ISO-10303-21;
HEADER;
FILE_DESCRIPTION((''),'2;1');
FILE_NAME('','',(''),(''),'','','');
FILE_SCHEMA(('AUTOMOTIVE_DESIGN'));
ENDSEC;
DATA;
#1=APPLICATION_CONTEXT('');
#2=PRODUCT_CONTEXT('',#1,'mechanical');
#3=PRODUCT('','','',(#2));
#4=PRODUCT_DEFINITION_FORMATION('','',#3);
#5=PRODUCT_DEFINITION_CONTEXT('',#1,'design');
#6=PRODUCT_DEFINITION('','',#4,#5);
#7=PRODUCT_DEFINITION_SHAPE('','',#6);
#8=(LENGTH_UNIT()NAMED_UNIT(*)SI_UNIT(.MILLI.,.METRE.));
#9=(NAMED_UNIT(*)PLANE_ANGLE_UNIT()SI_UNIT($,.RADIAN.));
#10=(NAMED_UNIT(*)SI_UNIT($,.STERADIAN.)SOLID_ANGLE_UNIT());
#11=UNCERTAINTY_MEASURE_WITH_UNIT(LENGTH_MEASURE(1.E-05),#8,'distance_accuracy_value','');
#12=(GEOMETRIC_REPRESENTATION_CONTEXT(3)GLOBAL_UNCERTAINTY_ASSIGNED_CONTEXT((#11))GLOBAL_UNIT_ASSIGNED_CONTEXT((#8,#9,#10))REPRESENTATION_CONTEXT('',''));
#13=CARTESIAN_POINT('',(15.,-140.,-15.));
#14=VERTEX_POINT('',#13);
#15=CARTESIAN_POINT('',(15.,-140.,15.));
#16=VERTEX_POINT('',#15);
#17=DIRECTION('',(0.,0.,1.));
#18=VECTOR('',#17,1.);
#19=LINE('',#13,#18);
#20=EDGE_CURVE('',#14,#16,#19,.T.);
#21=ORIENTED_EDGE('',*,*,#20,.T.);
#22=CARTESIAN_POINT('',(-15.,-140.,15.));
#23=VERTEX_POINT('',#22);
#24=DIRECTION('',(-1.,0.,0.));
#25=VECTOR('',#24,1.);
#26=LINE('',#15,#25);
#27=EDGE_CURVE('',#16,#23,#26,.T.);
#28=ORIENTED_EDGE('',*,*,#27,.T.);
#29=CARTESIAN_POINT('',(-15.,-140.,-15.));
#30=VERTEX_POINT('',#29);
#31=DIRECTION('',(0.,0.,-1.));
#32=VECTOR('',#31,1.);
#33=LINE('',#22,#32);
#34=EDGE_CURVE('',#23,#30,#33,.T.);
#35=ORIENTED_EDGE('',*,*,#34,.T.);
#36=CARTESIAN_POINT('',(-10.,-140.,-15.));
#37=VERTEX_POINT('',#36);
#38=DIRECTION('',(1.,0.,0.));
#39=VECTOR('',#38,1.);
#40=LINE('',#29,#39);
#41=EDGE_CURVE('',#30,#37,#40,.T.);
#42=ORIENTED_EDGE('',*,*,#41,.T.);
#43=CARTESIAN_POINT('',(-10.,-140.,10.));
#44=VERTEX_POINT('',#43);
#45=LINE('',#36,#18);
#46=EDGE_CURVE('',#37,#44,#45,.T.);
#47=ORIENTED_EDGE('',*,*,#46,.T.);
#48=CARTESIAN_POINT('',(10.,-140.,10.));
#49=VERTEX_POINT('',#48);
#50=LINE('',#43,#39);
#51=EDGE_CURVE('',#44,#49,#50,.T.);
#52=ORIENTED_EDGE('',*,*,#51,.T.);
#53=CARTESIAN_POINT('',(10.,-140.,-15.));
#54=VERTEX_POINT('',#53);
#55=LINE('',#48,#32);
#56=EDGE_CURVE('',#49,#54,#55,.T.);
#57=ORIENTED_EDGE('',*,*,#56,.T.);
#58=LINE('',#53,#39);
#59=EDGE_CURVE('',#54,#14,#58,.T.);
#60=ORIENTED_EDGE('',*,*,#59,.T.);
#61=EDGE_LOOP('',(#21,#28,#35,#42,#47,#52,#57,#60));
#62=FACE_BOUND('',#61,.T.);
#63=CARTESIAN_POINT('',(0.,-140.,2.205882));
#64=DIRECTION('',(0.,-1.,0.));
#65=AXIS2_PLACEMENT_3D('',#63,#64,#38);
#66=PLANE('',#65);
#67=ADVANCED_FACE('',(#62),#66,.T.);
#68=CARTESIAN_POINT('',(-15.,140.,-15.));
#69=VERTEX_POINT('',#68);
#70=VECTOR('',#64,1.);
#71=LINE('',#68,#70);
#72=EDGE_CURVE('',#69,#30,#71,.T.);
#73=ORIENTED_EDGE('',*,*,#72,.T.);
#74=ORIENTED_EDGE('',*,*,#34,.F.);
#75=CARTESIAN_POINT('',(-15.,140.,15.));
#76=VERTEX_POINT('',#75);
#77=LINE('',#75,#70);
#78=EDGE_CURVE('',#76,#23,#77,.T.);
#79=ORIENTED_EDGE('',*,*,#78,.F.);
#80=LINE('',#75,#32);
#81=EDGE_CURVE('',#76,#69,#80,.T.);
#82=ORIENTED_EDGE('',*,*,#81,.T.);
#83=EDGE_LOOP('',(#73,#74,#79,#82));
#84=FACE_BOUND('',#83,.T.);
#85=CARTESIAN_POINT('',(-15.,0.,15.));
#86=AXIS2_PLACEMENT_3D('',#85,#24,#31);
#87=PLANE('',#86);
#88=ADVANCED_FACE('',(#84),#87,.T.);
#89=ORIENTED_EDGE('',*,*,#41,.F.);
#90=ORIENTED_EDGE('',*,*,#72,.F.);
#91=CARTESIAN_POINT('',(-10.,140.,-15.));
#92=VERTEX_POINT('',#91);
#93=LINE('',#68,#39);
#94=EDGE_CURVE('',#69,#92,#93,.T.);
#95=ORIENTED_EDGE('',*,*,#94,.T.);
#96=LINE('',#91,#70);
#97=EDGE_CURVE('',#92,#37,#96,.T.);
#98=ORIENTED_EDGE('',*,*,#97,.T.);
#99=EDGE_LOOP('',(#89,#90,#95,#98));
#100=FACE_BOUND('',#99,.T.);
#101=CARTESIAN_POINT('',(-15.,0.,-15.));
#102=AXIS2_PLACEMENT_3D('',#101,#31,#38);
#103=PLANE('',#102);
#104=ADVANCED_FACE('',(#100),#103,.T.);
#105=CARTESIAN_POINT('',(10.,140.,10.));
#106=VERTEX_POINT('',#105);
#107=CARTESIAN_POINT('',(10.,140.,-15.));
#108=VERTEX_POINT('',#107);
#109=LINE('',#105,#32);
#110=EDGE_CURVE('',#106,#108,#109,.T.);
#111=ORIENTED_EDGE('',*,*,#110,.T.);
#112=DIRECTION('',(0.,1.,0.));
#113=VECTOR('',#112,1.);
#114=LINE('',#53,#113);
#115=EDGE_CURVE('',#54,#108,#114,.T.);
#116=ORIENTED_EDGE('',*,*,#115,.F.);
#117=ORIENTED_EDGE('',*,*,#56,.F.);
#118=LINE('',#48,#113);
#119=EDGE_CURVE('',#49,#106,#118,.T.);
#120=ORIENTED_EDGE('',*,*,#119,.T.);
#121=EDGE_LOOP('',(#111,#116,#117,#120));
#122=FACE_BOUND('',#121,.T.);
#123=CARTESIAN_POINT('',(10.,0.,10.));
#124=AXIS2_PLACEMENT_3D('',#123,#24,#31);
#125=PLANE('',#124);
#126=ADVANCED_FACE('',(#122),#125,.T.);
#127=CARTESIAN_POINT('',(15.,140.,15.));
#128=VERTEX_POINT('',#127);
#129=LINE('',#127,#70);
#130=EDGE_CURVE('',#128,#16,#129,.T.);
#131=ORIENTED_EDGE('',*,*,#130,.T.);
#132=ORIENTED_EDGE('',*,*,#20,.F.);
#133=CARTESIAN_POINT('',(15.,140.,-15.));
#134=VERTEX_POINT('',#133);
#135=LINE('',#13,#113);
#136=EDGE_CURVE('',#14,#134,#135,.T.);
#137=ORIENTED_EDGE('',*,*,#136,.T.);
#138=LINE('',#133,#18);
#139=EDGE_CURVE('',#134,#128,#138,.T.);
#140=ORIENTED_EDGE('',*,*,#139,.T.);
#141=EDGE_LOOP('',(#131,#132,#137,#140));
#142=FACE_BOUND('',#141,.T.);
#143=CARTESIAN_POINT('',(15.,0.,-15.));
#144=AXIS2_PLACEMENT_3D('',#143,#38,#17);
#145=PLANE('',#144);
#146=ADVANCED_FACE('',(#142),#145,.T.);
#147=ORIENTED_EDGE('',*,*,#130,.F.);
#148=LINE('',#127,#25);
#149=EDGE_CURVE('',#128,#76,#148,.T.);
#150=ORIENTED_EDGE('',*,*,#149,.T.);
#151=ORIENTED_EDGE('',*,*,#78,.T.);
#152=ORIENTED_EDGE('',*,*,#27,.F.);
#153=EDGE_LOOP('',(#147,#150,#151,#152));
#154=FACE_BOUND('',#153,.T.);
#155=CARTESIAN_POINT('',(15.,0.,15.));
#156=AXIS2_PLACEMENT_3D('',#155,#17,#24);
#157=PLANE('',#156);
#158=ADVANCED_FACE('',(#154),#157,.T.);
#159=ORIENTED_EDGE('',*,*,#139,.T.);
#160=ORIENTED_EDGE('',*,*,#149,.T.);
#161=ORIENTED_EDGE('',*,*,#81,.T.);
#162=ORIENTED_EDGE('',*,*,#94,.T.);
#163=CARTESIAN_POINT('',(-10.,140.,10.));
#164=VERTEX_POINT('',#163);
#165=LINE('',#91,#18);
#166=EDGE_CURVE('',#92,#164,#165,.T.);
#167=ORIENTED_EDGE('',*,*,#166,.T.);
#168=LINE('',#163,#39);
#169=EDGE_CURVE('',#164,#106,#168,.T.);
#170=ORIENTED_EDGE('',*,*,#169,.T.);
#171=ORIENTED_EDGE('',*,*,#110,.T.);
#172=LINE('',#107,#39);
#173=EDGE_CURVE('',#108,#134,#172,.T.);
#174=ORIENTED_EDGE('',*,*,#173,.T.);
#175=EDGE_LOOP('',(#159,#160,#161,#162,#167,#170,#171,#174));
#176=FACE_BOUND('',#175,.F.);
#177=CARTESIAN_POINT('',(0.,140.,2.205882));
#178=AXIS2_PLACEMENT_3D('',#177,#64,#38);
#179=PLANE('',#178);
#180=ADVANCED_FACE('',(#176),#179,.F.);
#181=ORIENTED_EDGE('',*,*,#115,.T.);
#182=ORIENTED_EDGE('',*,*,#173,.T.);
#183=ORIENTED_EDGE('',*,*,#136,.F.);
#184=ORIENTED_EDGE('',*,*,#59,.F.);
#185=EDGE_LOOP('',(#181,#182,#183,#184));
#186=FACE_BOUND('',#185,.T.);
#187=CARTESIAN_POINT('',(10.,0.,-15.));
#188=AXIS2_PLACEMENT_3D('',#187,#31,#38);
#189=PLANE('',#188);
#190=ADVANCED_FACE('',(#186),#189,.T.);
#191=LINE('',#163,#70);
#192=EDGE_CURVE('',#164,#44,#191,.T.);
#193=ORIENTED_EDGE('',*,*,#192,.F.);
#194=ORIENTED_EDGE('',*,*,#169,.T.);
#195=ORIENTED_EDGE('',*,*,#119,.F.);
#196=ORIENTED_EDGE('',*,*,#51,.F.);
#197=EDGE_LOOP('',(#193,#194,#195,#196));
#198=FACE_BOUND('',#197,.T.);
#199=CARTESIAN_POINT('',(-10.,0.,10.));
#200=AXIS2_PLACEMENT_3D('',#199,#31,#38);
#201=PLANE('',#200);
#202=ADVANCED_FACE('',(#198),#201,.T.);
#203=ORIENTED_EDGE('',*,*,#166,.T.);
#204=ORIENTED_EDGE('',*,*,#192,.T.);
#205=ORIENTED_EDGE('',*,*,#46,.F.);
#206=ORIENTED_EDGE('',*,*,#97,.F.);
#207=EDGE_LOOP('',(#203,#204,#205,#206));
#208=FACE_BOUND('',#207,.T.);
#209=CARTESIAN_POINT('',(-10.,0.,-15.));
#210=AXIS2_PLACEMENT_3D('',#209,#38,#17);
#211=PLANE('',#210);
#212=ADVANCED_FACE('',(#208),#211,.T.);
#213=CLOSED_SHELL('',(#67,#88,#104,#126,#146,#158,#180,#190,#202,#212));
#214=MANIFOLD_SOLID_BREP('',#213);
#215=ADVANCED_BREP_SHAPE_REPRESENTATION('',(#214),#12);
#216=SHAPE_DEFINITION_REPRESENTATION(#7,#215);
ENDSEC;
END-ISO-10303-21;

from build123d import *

# Parameters (mm, degrees)
F1_DEPTH      = 140
F1_DEPTH_BACK = 140


with BuildPart() as f1:
    # F0 (on Front) → F1 (new body, two sides)
    with BuildSketch(Plane.XZ) as f1_sk:
        Polygon((15, -15), (15, 15), (-15, 15), (-15, -15), (-10, -15), (-10, 10), (10, 10), (10, -15), align=None)
    extrude(amount=F1_DEPTH)
    extrude(f1_sk.sketch, amount=-F1_DEPTH_BACK)


solid = f1.part
